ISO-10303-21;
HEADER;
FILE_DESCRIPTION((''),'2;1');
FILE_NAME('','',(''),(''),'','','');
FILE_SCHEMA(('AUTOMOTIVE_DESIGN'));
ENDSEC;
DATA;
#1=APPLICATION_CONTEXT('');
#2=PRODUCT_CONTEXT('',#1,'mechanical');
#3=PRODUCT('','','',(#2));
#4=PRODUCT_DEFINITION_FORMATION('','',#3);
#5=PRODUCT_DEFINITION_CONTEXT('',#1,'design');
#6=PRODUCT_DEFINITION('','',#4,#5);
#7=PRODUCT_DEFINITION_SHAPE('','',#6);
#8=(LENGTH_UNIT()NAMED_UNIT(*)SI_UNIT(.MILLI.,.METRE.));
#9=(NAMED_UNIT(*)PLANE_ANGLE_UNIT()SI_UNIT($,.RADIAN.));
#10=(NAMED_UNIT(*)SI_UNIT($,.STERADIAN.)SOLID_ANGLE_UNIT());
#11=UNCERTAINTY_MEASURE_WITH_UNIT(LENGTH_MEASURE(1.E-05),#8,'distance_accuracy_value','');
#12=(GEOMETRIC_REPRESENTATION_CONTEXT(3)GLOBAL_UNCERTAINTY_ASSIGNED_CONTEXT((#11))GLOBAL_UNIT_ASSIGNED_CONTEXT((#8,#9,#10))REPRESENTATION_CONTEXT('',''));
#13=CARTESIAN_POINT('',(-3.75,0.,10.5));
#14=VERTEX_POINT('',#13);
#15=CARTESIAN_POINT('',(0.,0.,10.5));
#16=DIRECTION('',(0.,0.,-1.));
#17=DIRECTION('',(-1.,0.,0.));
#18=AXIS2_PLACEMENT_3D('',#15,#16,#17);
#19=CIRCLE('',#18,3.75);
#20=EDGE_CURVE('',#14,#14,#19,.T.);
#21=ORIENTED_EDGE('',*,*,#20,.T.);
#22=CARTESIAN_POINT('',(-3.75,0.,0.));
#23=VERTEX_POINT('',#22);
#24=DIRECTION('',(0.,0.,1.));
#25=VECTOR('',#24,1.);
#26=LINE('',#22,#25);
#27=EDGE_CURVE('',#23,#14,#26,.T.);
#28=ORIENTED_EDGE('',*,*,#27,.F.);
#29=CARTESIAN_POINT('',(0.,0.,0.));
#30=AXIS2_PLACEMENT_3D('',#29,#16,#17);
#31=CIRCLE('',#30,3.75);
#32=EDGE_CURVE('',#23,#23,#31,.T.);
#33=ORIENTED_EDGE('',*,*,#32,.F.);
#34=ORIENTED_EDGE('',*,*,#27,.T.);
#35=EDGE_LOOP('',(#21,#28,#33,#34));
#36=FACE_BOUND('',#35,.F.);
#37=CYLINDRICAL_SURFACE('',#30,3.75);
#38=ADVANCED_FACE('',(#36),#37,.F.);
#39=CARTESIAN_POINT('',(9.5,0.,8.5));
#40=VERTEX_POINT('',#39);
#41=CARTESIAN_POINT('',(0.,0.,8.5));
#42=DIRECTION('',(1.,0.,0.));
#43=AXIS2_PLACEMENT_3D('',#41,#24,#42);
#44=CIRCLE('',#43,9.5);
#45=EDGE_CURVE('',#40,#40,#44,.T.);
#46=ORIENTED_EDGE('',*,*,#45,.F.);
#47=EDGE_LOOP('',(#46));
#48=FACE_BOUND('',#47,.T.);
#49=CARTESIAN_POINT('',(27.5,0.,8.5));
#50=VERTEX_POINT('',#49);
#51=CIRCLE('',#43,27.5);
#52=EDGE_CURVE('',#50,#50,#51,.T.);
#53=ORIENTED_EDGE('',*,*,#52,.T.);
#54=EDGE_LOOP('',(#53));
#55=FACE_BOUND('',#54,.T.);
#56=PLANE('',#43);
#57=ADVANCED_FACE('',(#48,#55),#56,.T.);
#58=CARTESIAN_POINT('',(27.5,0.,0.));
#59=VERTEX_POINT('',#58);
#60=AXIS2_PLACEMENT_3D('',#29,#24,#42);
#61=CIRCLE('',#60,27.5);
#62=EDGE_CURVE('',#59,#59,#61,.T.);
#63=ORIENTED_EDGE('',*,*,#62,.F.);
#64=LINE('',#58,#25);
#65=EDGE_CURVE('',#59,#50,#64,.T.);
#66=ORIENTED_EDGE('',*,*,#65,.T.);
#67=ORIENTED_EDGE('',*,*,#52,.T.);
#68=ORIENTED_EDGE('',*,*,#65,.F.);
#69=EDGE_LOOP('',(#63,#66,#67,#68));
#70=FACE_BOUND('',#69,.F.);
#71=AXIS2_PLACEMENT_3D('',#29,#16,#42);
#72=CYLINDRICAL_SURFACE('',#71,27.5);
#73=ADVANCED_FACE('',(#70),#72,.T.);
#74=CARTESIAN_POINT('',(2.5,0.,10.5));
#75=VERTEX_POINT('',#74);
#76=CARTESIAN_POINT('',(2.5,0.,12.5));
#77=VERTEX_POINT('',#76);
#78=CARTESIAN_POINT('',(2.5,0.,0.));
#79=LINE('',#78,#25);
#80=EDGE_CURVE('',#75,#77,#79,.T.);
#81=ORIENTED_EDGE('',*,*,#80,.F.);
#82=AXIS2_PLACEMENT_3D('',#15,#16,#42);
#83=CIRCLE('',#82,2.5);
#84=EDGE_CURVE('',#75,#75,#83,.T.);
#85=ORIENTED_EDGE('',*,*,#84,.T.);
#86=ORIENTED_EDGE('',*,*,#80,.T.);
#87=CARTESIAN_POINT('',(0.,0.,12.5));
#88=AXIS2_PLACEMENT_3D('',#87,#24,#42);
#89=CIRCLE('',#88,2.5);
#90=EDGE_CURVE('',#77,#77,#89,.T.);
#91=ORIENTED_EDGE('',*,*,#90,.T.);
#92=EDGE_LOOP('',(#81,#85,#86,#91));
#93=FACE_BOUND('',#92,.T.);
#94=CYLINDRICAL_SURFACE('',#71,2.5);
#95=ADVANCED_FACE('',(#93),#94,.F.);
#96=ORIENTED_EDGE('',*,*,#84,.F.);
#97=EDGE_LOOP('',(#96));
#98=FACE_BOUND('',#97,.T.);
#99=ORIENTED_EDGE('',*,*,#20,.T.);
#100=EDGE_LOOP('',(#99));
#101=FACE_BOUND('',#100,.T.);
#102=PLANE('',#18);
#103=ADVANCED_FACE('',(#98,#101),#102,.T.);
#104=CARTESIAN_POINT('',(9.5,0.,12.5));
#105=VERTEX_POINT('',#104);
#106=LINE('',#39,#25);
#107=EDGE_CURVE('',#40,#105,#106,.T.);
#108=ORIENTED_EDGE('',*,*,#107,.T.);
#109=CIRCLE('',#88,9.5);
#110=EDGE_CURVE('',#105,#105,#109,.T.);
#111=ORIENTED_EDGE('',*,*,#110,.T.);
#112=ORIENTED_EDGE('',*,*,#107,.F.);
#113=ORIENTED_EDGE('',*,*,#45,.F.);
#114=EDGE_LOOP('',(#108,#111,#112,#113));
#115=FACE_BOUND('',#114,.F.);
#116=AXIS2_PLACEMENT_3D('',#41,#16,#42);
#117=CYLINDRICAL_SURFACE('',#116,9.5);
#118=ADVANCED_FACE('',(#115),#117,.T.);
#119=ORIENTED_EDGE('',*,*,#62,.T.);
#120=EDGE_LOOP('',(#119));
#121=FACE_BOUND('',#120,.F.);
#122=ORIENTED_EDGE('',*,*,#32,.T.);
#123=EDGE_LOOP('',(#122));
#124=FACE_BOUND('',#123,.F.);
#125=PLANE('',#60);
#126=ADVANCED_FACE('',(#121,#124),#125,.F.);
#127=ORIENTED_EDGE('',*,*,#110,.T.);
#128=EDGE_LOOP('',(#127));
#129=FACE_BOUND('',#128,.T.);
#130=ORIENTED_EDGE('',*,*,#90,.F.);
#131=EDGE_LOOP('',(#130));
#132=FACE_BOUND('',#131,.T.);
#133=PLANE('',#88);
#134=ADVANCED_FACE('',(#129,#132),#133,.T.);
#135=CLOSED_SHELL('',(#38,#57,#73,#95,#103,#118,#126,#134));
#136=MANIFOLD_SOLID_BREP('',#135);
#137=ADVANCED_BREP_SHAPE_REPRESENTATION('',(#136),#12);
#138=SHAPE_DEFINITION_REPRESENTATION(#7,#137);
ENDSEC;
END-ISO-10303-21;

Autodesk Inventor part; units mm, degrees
ref_plane "YZ Plane" through (0, 0, 0) normal (1, 0, 0) x (0, 1, 0)
ref_plane "XZ Plane" through (0, 0, 0) normal (0, 1, 0) x (-1, 0, 0)
ref_plane "XY Plane" through (0, 0, 0) normal (0, 0, 1) x (1, 0, 0)
sketch "Boceto1" plane through (0, 0, 0) normal (0, 0, 1) x (1, 0, 0)
  circle A0 centre (0, 0) radius 27.5
  circle A1 centre (0, 0) radius 2.5
  dimension "d0" = 55
  dimension "d3" = 5
extrude "Extrusión1" add sketch "Boceto1" along normal blind 8.5
sketch "Boceto2" plane through (0, 0, 8.5) normal (0, 0, 1) x (1, 0, 0)
  circle A0 centre (0, 0) radius 2.5 projected
  circle A1 centre (0, 0) radius 9.5
  dimension "d4" = 19
extrude "Extrusión2" add sketch "Boceto2" along normal blind 4
sketch "Boceto3" plane through (0, 0, 0) normal (0, 0, -1) x (-1, 0, 0)
  circle A0 centre (0, 0) radius 2.5 projected
  circle A1 centre (0, 0) radius 3.75
  dimension "d7" = 7.5
extrude "Extrusión3" cut sketch "Boceto3" against normal blind 10.5 contours A0 | A1
properties part number "omniwheel"
